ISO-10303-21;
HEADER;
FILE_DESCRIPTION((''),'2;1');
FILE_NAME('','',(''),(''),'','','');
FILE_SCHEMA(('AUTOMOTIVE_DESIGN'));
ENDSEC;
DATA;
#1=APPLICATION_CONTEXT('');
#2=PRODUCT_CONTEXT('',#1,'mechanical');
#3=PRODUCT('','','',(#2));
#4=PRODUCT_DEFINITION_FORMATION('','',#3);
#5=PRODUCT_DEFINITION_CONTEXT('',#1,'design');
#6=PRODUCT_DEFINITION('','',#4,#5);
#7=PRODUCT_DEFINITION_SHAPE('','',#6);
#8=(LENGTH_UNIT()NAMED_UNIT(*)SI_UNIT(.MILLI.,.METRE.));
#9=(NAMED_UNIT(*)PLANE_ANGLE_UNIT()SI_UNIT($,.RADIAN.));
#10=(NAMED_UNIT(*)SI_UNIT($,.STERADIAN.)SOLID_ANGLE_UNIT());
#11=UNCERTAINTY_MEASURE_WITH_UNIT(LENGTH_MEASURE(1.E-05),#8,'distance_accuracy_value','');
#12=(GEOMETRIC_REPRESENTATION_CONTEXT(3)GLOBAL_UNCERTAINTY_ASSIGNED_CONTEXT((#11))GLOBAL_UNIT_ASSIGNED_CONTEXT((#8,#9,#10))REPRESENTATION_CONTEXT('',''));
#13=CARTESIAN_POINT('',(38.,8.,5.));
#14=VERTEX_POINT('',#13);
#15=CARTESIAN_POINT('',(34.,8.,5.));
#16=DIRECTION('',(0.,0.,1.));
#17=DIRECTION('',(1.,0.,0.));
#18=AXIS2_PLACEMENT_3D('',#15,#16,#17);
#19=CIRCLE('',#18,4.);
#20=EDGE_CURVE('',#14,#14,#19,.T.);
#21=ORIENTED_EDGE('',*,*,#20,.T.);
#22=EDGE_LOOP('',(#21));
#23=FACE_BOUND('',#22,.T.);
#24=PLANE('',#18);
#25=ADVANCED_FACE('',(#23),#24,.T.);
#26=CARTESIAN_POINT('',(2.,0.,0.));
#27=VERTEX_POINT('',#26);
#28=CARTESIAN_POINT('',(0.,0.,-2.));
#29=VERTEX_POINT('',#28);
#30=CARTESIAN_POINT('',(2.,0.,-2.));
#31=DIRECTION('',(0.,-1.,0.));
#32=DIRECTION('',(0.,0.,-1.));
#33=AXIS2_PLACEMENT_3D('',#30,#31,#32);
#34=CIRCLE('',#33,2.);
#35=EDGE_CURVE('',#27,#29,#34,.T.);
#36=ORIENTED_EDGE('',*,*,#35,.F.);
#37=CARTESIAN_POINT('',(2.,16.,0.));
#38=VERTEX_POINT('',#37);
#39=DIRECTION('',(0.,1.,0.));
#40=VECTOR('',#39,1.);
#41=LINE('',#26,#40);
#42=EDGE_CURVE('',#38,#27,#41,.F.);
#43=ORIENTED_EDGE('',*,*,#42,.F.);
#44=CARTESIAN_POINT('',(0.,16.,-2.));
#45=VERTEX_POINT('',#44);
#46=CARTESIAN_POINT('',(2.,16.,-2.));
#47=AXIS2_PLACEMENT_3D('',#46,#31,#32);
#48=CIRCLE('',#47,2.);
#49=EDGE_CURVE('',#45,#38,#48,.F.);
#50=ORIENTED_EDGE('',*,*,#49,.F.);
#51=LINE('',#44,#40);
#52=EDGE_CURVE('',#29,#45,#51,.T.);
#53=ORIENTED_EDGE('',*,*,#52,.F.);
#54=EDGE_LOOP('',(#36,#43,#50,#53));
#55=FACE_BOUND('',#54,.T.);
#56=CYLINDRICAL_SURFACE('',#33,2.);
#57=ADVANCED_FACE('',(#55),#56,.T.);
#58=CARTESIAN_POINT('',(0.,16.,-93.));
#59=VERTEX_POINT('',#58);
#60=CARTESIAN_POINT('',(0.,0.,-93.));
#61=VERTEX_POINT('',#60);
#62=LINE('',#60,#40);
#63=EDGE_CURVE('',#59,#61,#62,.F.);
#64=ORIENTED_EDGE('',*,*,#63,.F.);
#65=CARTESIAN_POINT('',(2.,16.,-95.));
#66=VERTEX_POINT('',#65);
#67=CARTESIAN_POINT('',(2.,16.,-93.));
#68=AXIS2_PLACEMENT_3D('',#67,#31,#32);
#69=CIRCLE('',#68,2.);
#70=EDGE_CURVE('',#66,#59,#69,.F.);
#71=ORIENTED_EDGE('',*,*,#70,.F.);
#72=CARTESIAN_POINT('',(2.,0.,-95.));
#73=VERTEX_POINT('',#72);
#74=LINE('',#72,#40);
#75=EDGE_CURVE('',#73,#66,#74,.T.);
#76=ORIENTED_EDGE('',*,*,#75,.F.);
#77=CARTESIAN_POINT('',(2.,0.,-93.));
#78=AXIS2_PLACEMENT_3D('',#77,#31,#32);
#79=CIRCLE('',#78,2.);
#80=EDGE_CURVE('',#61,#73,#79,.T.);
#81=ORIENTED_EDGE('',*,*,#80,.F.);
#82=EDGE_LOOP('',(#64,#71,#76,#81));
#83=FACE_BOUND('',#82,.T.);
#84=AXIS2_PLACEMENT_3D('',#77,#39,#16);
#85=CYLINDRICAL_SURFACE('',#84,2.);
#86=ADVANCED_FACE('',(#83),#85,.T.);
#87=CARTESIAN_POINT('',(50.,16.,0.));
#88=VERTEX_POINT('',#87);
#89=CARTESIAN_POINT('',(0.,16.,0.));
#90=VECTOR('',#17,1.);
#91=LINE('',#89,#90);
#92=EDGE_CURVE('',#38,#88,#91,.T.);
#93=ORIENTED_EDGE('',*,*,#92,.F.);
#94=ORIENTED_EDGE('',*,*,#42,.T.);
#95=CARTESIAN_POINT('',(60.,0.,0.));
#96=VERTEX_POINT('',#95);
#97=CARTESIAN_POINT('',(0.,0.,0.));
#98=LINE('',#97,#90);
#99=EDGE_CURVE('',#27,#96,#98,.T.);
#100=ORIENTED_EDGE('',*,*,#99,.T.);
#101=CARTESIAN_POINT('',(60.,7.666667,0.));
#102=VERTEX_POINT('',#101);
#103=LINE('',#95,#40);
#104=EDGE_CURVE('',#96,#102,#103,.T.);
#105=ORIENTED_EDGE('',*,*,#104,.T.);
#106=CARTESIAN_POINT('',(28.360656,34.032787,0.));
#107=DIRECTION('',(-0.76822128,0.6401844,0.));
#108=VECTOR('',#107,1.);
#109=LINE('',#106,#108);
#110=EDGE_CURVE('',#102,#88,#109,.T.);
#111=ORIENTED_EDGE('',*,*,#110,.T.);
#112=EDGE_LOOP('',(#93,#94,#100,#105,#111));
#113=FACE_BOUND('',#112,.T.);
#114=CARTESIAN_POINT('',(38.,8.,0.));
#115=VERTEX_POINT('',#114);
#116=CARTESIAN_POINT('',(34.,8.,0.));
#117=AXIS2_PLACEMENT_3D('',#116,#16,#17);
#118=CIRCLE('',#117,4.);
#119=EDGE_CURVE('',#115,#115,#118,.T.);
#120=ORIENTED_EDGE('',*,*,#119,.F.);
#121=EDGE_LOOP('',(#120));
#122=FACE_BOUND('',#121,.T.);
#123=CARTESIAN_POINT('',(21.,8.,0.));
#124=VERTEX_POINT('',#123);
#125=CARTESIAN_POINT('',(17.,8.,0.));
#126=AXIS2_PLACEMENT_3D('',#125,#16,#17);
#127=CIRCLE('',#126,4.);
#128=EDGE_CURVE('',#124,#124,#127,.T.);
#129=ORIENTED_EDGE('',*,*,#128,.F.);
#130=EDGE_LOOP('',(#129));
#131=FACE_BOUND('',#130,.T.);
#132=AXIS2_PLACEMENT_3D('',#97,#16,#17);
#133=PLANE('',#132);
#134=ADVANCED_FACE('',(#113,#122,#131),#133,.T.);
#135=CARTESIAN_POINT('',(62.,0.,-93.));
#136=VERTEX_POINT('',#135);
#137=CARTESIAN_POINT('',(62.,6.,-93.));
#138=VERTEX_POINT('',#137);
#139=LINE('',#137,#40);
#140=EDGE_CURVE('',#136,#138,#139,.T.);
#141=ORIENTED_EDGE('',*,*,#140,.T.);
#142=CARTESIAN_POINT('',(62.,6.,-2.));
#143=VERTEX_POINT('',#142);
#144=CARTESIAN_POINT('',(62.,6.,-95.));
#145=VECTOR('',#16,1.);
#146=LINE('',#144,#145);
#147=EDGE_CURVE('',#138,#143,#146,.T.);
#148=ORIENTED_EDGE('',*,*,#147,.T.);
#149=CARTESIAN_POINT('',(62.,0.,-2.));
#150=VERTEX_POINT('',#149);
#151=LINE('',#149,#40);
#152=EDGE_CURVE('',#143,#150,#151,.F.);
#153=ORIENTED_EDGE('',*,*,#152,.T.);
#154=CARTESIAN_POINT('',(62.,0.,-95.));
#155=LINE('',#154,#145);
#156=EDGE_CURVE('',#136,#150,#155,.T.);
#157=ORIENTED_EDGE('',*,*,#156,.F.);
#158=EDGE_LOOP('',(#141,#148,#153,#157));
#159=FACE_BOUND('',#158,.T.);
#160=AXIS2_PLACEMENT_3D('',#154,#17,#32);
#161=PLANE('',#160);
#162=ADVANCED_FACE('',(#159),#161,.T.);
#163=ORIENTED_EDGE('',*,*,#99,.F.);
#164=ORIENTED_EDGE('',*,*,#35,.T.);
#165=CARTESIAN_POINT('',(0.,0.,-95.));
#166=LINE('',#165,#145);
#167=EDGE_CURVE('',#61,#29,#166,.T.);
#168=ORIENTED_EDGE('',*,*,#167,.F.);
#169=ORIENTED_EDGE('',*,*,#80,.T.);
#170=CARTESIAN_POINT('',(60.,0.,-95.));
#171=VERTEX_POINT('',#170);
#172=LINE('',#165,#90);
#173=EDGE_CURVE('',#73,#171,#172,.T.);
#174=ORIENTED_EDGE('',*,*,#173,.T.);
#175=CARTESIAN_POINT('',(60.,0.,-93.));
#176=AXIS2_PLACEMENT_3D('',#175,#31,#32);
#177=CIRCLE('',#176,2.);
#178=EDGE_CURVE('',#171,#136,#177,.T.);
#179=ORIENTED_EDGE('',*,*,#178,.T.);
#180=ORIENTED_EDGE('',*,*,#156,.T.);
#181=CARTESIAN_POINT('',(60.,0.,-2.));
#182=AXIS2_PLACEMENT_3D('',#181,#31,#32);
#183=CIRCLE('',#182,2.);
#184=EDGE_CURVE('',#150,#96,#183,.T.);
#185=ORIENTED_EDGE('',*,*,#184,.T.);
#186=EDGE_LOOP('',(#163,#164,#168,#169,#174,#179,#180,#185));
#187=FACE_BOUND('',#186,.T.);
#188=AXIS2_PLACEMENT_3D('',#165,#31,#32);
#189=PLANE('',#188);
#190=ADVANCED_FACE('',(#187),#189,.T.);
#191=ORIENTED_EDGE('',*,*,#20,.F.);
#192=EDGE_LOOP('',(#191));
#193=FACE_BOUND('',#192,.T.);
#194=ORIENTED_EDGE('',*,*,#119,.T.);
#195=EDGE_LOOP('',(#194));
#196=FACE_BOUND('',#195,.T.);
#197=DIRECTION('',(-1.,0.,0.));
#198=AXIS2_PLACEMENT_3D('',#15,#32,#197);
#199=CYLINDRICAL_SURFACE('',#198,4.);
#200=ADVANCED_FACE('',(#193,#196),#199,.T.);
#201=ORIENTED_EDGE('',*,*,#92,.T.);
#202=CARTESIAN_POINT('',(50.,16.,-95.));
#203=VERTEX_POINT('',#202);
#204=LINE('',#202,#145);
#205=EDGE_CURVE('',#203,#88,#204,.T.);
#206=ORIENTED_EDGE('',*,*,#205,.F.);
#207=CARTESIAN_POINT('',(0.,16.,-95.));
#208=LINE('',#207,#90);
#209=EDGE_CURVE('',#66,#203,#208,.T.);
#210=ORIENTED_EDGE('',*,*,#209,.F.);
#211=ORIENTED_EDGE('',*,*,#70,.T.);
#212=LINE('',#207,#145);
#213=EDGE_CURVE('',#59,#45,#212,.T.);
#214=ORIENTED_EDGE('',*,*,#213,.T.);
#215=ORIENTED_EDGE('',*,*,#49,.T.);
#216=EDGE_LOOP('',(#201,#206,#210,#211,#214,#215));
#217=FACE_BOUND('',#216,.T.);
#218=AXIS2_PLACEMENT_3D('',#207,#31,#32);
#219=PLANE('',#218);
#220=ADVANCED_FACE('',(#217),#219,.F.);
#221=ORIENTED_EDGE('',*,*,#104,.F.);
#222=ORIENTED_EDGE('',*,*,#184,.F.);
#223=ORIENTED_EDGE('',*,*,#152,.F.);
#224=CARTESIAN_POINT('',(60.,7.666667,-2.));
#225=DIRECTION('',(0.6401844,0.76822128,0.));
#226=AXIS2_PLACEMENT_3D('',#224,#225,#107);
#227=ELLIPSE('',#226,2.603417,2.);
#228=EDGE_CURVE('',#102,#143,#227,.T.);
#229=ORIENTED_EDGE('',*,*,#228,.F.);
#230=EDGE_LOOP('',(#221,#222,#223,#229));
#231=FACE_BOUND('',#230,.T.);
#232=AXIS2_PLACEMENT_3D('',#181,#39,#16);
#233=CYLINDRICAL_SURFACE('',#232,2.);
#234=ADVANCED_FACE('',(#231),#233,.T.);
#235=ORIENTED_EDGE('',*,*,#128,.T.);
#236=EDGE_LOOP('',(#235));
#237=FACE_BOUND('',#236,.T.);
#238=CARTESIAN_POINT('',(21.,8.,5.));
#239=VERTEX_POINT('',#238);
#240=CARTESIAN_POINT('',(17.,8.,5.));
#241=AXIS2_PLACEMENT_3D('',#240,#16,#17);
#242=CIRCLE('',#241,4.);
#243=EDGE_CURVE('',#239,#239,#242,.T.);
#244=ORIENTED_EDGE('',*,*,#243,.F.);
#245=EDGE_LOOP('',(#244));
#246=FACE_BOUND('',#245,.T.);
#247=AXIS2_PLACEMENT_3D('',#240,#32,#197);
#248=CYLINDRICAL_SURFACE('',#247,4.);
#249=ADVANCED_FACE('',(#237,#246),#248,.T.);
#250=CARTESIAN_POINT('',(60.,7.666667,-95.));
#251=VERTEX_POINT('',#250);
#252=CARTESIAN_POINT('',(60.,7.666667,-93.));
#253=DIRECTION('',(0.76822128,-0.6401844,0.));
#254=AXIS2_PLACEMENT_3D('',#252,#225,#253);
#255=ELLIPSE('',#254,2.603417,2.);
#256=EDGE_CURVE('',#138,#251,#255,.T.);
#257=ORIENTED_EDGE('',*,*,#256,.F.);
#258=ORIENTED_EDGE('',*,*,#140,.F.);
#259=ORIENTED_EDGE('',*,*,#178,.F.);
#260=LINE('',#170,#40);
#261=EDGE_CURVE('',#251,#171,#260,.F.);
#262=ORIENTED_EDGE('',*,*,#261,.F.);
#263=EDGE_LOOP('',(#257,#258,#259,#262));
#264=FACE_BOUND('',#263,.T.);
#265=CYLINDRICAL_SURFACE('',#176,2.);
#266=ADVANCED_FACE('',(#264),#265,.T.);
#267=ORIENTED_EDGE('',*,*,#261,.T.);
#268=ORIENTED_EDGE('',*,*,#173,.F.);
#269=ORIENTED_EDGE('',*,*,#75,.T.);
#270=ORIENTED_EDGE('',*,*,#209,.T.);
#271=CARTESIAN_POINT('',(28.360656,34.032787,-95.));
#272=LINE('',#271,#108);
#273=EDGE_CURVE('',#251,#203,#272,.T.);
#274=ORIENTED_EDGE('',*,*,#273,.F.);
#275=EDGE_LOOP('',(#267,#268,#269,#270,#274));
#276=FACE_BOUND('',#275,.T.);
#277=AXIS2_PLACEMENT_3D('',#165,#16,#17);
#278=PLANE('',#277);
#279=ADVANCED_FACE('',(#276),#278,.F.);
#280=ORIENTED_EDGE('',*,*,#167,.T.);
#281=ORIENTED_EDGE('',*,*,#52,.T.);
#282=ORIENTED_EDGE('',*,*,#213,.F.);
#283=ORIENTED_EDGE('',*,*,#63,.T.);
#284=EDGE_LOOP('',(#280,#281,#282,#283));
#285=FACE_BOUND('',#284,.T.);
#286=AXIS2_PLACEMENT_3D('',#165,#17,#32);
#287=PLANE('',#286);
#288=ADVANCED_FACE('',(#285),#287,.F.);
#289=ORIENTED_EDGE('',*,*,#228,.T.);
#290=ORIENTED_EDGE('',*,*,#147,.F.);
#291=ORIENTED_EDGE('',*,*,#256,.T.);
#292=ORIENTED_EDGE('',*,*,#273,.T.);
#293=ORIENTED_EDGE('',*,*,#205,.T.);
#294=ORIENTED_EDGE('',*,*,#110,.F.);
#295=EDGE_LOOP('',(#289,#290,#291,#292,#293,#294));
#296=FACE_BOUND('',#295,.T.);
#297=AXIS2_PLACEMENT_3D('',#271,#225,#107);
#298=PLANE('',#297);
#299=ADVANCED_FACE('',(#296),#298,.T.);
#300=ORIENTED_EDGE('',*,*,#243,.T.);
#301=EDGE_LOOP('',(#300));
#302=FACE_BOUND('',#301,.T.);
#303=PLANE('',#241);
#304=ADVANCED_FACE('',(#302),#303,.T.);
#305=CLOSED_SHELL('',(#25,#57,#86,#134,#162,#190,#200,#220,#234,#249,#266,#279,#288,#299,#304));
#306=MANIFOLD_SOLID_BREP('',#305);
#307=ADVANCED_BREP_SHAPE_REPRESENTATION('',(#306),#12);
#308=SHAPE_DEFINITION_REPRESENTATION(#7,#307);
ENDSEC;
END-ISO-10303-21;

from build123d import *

# Parameters (mm, degrees)
SKETCH_1_W      = 50
SKETCH_1_H      = 16
EXTRUDE_1_DEPTH = 95
FILLET_1_R      = 2
SKETCH_2_R      = 4
EXTRUDE_2_DEPTH = 5


with BuildPart() as part:
    # 草图1 → 凸台-拉伸1 (new body)
    with BuildSketch(Plane.XY):
        with Locations((25, 8)):
            Rectangle(SKETCH_1_W, SKETCH_1_H)
        Polygon((62, 0), (62, 6), (50, 16), (50, 0), align=None)
    extrude(amount=-EXTRUDE_1_DEPTH)

    # 圆角1
    fillet_1_edges = [part.edges().sort_by_distance(p)[0] for p in [
        (62, 3, -95),
        (0, 8, -95),
        (0, 8, 0),
        (62, 3, 0),
    ]]
    fillet(fillet_1_edges, radius=FILLET_1_R)

    # 草图2 → 凸台-拉伸2 (add)
    with BuildSketch(Plane.XY):
        with Locations((17, 8)):
            Circle(SKETCH_2_R)
        with Locations((34, 8)):
            Circle(SKETCH_2_R)
    extrude(amount=EXTRUDE_2_DEPTH)


solid = part.part
